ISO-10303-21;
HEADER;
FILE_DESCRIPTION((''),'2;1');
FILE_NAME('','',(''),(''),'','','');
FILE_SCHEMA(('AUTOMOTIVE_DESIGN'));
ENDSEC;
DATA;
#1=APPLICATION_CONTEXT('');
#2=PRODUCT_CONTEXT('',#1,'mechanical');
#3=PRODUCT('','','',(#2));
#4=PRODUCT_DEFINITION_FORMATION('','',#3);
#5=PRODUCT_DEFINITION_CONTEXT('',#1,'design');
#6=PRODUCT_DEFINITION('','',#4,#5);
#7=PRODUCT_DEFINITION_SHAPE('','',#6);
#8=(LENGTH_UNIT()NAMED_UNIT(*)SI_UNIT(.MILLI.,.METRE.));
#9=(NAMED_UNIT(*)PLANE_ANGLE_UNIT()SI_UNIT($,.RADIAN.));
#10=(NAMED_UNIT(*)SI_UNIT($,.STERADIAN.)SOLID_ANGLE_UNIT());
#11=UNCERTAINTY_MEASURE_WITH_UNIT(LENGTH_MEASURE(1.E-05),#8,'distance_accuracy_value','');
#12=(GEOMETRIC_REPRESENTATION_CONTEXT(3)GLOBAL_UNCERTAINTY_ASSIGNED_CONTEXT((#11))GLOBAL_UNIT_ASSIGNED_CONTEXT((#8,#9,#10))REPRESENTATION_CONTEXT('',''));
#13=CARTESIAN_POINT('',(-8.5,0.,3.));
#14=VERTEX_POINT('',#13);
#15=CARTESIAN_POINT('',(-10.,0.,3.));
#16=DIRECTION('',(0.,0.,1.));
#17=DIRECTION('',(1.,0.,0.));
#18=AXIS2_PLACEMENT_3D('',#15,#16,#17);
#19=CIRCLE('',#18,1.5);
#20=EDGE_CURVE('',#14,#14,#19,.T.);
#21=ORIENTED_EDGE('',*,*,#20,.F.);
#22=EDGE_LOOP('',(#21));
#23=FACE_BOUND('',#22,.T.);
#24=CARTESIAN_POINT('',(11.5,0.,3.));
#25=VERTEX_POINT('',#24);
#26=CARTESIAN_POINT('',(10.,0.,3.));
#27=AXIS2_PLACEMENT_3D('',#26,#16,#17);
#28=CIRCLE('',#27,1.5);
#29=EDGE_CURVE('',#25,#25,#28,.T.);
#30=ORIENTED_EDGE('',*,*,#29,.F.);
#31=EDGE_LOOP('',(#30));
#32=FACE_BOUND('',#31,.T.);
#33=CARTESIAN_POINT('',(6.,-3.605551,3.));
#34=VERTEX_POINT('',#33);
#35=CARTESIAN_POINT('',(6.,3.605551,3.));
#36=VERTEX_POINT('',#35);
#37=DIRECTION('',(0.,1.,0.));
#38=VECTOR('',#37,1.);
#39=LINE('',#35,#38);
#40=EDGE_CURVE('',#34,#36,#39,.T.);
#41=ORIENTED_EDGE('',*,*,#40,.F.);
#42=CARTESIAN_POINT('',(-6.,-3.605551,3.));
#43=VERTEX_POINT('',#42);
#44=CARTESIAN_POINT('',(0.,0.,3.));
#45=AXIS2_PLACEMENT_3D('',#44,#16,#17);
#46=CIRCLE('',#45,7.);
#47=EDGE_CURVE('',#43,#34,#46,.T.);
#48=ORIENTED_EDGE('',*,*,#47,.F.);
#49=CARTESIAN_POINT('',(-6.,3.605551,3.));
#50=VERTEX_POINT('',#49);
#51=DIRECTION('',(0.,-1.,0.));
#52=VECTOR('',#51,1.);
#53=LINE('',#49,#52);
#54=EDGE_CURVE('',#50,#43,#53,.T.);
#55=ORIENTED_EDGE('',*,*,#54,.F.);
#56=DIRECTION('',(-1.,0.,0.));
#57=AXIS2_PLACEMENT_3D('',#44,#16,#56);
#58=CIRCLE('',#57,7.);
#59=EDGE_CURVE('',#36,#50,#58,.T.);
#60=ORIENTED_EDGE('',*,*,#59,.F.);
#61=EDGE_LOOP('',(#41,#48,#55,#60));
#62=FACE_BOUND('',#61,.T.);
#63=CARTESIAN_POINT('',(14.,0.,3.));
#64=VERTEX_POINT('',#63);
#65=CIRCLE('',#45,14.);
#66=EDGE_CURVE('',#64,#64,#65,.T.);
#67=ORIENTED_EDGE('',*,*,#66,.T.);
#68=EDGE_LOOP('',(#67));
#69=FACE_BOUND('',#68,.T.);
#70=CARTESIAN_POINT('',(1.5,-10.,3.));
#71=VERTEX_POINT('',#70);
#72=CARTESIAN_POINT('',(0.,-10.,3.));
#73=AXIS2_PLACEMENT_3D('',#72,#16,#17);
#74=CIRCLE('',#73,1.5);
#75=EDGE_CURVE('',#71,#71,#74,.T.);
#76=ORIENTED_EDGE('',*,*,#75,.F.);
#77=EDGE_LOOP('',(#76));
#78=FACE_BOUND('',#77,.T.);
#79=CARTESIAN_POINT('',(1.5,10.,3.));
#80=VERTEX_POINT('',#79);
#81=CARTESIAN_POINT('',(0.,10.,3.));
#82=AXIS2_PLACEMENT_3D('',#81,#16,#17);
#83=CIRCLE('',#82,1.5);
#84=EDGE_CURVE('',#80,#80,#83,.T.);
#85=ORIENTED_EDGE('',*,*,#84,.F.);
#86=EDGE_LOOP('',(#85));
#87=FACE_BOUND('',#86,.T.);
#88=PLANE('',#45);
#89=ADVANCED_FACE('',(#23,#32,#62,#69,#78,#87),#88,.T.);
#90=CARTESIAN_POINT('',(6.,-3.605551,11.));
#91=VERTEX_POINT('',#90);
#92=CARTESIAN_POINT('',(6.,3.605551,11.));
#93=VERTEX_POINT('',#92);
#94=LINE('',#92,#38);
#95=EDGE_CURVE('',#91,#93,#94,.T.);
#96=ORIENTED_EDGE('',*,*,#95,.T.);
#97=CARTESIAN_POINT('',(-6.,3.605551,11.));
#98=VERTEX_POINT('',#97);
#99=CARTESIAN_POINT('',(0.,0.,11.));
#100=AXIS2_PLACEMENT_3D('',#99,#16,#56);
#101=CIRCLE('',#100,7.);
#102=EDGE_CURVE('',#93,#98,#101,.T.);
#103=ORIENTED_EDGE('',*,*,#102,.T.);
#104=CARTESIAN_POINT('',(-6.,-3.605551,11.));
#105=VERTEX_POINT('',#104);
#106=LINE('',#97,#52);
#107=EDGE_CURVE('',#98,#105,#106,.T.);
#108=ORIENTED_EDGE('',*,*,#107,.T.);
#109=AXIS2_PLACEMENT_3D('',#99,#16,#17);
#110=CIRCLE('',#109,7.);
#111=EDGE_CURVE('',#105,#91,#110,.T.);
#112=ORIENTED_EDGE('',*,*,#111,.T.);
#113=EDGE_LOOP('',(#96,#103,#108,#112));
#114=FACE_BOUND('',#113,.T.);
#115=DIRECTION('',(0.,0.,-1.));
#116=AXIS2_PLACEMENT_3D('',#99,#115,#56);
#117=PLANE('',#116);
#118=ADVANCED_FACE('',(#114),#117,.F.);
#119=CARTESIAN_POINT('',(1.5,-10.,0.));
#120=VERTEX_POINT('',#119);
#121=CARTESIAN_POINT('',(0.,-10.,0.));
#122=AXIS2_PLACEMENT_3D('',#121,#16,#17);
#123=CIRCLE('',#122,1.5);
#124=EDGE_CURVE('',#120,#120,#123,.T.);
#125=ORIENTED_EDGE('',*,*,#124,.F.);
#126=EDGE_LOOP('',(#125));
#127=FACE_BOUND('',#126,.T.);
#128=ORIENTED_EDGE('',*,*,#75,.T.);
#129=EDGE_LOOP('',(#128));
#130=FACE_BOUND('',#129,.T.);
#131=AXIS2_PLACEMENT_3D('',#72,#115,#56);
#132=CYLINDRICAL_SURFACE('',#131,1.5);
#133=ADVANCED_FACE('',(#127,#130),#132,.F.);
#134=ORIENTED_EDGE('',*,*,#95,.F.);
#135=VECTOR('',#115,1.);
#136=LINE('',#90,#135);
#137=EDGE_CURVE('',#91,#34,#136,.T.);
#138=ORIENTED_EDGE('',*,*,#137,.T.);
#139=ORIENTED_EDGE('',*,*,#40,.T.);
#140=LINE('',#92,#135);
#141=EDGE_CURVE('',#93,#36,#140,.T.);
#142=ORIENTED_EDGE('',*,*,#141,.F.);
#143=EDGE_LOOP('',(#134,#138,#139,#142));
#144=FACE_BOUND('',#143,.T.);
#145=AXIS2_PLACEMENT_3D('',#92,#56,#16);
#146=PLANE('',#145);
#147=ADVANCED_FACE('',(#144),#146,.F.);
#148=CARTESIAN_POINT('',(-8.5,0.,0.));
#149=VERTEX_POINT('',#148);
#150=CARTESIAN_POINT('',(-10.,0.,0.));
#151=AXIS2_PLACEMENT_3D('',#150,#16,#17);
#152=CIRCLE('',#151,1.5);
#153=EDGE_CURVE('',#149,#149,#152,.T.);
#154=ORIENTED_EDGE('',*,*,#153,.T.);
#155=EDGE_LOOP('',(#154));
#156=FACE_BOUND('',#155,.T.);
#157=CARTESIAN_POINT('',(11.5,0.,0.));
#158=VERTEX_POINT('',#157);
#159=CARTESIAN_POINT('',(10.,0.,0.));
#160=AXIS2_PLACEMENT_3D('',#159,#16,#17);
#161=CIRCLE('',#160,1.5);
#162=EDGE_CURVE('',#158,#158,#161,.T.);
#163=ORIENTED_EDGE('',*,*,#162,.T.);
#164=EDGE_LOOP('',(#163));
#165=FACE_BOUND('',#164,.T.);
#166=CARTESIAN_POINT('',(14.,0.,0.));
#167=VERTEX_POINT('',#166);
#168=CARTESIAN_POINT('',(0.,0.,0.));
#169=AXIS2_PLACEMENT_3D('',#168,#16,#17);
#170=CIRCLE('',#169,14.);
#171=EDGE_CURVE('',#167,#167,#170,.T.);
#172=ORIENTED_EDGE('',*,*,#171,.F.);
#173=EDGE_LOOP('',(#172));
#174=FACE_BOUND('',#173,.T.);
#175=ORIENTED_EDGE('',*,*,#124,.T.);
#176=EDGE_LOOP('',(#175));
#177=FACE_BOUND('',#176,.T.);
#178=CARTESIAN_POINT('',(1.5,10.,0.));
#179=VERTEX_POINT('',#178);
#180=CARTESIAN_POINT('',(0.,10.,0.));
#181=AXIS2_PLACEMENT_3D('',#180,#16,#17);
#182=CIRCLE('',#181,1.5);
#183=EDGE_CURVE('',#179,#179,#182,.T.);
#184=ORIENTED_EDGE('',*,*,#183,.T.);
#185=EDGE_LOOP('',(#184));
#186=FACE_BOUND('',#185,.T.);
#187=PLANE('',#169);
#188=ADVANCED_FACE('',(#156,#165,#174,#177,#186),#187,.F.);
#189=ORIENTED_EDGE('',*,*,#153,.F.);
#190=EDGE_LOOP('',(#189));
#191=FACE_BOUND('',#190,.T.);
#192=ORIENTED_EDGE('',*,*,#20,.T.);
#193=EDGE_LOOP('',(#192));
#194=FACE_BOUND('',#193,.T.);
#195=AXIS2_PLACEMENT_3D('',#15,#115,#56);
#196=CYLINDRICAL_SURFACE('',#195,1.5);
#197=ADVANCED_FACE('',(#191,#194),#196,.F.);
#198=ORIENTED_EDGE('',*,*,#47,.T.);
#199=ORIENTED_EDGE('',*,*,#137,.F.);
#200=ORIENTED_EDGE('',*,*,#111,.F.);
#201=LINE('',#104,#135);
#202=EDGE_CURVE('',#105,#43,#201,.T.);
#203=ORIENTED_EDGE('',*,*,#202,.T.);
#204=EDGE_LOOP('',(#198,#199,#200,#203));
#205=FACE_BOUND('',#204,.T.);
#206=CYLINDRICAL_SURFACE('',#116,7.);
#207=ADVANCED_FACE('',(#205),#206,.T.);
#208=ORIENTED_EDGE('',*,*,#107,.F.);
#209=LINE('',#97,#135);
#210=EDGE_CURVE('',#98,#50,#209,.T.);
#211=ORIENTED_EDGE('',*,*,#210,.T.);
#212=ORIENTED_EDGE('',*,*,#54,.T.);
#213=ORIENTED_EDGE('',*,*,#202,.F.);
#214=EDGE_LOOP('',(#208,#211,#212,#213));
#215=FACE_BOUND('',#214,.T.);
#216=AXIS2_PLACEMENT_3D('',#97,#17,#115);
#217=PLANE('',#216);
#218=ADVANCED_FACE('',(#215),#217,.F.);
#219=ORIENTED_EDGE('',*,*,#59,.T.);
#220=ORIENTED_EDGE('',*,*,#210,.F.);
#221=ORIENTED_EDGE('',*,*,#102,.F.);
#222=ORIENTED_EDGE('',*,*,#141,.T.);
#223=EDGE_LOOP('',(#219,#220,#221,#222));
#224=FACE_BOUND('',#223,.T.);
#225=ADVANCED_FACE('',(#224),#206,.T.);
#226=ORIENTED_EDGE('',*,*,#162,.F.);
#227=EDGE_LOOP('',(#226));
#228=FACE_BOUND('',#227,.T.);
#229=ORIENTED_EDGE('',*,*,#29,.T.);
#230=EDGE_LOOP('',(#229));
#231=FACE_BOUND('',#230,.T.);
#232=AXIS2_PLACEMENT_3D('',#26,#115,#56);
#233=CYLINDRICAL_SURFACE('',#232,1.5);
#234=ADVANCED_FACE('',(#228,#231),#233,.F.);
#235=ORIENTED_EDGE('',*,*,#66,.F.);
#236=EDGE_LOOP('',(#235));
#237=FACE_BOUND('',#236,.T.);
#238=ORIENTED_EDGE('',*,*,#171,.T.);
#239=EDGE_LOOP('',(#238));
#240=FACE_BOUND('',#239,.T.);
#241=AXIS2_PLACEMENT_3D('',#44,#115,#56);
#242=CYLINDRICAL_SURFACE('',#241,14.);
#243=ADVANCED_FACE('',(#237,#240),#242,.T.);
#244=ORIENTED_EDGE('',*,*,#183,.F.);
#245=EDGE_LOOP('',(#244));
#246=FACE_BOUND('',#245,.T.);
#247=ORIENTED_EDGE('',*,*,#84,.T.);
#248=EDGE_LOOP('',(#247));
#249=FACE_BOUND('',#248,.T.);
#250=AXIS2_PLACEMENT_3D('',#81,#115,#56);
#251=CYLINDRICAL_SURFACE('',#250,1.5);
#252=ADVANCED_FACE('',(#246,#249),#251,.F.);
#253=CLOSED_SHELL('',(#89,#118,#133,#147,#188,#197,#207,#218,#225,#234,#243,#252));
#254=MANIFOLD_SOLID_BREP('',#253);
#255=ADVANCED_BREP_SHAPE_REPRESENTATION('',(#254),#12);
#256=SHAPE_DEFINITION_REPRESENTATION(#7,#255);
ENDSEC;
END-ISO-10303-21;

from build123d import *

# Parameters (mm, degrees)
SKETCH_1_R      = 14
SKETCH_1_R_2    = 1.5
EXTRUDE_1_DEPTH = 3
EXTRUDE_2_DEPTH = 8


with BuildPart() as part:
    # 草图1 → 凸台-拉伸1 (new body)
    with BuildSketch(Plane.XY):
        Circle(SKETCH_1_R)
        with Locations((0, 10)):
            Circle(SKETCH_1_R_2, mode=Mode.SUBTRACT)
        with Locations((10, 0)):
            Circle(SKETCH_1_R_2, mode=Mode.SUBTRACT)
        with Locations((0, -10)):
            Circle(SKETCH_1_R_2, mode=Mode.SUBTRACT)
        with Locations((-10, 0)):
            Circle(SKETCH_1_R_2, mode=Mode.SUBTRACT)
    extrude(amount=EXTRUDE_1_DEPTH)

    # 草图3 → 凸台-拉伸2 (add)
    with BuildSketch(Plane.XY.offset(3)):
        with BuildLine():
            Line((6, 3.605551275), (6, -3.605551275))
            ThreePointArc((6, -3.605551275), (0, -7), (-6, -3.605551275))
            Line((-6, -3.605551275), (-6, 3.605551275))
            ThreePointArc((-6, 3.605551275), (0, 7), (6, 3.605551275))
        make_face()
    extrude(amount=EXTRUDE_2_DEPTH)


solid = part.part
